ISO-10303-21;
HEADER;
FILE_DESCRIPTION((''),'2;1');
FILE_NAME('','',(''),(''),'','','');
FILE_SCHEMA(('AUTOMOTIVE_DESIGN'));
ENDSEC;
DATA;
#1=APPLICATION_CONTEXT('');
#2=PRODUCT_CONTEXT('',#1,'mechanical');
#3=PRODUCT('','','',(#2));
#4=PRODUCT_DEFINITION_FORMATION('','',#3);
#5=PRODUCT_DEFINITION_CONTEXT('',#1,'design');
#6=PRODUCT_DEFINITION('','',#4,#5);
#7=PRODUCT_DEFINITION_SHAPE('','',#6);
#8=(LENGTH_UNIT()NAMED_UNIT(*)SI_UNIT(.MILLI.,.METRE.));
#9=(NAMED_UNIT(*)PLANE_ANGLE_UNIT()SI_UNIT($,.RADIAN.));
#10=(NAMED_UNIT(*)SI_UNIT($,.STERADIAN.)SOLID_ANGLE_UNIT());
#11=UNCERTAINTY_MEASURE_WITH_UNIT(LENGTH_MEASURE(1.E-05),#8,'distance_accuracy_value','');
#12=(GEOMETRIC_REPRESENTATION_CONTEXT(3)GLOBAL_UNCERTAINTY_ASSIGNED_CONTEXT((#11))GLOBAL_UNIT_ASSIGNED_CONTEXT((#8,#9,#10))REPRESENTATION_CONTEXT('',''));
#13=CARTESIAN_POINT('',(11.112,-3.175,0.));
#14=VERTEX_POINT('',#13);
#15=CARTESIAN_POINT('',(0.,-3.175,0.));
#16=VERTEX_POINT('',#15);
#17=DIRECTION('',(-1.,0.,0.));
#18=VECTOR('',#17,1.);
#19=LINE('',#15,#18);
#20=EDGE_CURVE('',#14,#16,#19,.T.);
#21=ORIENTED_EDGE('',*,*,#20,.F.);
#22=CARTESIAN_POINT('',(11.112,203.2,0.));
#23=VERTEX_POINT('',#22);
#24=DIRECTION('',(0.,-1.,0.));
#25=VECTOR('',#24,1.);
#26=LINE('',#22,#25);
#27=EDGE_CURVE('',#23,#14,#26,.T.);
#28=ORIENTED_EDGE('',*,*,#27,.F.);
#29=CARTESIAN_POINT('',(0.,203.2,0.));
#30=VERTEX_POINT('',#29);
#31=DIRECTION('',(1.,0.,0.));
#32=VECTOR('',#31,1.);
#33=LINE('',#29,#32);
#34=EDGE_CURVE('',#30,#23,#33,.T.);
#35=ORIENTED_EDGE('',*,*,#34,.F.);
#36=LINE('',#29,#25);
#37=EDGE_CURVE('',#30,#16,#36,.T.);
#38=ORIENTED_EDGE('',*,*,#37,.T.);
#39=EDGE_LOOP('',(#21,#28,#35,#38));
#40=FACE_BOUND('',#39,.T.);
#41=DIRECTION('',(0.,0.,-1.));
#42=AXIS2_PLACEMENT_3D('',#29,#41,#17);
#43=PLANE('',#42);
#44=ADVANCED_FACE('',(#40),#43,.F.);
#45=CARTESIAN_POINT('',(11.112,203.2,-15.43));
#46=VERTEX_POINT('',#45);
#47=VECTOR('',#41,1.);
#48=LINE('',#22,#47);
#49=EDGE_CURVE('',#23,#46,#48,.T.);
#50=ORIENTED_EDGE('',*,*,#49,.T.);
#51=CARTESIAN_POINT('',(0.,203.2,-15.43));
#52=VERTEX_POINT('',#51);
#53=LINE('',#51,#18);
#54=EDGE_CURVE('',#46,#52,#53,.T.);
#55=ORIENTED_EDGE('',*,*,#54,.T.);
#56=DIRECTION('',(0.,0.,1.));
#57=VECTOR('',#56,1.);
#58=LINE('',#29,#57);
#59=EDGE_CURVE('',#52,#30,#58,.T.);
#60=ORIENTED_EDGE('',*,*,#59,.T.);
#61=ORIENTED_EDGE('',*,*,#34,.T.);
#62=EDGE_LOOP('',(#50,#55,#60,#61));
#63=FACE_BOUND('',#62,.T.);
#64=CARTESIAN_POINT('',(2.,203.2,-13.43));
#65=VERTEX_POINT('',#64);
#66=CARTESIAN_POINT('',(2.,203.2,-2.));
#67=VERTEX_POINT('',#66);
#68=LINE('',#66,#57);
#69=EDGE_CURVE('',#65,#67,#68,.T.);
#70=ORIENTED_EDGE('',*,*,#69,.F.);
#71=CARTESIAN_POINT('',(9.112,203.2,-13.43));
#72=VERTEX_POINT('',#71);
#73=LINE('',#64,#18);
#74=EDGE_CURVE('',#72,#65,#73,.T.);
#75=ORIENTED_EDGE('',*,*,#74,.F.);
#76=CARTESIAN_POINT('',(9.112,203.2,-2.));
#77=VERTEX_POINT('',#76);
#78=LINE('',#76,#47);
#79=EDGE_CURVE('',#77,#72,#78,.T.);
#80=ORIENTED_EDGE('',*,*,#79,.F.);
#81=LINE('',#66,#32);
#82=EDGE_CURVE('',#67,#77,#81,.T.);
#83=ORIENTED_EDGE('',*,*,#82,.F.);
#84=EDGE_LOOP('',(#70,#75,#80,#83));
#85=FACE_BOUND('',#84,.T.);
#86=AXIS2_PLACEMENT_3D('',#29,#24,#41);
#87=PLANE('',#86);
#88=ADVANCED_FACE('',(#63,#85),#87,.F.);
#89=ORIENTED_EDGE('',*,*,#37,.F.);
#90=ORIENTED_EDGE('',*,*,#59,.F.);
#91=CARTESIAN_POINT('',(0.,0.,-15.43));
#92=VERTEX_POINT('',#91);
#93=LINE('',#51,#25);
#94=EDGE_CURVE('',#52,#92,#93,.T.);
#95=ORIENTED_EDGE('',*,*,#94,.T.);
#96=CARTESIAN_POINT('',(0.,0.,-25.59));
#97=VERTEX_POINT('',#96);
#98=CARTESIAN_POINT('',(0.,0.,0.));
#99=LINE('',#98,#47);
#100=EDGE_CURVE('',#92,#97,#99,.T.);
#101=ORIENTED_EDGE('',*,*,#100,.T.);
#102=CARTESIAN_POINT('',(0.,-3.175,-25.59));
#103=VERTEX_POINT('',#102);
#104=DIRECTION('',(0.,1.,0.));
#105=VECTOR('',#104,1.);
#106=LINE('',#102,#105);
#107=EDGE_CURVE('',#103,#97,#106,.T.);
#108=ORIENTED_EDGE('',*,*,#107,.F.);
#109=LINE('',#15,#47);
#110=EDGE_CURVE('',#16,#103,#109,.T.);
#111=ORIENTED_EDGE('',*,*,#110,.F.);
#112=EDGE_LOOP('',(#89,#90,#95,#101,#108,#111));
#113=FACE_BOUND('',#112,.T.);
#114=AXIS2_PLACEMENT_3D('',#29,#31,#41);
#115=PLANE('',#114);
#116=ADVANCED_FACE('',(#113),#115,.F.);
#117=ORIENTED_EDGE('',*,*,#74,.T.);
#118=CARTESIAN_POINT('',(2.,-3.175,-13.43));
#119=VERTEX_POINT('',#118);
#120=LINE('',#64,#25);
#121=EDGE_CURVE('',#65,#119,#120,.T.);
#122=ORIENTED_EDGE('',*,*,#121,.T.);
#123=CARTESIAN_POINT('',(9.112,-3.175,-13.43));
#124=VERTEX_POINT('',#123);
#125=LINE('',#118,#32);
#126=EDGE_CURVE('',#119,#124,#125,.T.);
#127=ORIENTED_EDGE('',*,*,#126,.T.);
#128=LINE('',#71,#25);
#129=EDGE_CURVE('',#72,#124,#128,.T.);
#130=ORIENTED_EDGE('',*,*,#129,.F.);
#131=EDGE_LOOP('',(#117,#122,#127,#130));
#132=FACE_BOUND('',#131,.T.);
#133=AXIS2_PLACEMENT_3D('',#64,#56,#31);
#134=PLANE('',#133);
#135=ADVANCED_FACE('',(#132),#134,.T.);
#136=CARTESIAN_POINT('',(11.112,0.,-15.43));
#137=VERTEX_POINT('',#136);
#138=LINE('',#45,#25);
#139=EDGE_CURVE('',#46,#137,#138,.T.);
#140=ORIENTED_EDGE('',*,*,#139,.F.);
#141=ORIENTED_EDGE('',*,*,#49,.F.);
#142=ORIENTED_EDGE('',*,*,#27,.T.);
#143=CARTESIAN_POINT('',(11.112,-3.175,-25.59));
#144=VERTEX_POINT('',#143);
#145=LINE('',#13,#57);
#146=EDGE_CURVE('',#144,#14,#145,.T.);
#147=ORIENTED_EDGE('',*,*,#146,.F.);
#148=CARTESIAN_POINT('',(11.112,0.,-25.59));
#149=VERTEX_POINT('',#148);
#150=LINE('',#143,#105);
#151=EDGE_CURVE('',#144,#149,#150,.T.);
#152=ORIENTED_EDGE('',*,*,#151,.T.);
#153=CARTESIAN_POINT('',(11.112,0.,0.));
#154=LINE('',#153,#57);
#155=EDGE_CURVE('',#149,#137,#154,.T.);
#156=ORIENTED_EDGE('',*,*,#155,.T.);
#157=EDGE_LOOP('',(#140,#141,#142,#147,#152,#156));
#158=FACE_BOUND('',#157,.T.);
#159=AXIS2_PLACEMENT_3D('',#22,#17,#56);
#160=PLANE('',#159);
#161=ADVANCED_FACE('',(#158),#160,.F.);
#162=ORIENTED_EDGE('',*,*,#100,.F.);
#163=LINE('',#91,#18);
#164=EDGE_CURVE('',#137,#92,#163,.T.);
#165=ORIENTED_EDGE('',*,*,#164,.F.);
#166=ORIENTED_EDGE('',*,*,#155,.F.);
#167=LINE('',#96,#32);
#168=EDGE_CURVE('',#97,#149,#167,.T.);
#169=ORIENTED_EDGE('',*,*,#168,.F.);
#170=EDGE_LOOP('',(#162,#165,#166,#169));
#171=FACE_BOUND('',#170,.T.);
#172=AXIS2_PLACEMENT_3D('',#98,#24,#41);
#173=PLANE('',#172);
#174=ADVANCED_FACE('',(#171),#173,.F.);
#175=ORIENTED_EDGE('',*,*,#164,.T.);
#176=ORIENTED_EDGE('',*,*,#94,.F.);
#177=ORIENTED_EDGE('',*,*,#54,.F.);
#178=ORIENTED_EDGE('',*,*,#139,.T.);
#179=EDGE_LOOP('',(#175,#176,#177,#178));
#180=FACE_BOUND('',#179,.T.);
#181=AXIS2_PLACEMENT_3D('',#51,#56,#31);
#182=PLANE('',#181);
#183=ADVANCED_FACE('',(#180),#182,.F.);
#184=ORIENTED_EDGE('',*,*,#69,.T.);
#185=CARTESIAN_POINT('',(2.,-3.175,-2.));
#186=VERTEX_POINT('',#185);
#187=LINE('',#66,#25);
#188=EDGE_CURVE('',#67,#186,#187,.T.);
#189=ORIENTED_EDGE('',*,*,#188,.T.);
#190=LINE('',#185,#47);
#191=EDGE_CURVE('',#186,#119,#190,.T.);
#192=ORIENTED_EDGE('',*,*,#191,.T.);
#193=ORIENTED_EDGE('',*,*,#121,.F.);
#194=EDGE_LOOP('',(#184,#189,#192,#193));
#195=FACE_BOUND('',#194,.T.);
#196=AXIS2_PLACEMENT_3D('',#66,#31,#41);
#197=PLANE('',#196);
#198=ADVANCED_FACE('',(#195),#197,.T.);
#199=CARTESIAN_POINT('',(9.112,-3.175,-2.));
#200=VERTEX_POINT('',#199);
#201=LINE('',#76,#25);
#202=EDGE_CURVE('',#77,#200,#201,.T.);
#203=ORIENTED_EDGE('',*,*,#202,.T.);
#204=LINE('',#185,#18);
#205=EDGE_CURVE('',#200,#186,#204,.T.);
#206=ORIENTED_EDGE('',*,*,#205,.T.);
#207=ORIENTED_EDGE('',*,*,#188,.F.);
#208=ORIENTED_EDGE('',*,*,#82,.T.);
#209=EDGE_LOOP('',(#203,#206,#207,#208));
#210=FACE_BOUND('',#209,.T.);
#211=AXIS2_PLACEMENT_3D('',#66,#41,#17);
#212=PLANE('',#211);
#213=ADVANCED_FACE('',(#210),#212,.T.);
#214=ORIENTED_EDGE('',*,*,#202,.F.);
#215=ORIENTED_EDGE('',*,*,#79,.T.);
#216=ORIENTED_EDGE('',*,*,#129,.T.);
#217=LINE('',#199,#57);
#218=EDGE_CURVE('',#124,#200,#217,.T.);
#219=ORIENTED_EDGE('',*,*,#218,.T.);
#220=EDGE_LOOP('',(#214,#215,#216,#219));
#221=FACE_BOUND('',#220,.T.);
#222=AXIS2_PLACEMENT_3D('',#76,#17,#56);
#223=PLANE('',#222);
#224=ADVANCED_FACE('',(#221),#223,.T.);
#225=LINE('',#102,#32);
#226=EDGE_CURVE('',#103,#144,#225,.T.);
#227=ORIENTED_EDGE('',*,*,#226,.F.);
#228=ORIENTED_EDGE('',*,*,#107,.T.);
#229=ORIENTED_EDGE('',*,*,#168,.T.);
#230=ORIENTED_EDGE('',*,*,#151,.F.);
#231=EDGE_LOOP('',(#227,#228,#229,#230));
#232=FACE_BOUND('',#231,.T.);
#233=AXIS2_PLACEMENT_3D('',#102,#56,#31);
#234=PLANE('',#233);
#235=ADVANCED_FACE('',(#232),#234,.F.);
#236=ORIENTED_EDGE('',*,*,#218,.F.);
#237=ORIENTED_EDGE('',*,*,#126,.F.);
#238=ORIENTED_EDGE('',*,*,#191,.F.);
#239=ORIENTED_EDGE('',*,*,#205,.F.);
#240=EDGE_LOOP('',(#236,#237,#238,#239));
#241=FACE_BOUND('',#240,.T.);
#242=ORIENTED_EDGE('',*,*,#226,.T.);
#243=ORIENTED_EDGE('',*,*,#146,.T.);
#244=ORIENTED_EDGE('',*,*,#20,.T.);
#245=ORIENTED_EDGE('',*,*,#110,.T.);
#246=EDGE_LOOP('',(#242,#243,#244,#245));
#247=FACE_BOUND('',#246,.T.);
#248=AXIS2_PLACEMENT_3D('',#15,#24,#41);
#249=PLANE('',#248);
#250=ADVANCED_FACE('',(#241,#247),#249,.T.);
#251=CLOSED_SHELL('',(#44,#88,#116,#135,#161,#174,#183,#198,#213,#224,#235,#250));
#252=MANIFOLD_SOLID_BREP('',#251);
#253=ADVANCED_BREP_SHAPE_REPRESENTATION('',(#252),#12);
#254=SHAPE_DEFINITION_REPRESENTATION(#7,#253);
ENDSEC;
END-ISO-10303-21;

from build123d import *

# Parameters (mm, degrees)
SKETCH1_W           = 11.112
SKETCH1_H           = 15.43
SKETCH1_W_2         = 7.112
SKETCH1_H_2         = 11.43
BOSS_EXTRUDE1_DEPTH = 203.2
SKETCH2_W           = 11.112
SKETCH2_H           = 25.59
SKETCH2_W_2         = 7.112
SKETCH2_H_2         = 11.43
BOSS_EXTRUDE2_DEPTH = 3.175


with BuildPart() as part:
    # Sketch1 → Boss-Extrude1 (new body)
    with BuildSketch(Plane(origin=(0, 0, 0), x_dir=(1, 0, 0), z_dir=(0, 1, 0))):
        with Locations((5.556, 7.715)):
            Rectangle(SKETCH1_W, SKETCH1_H)
        with Locations((5.556, 7.715)):
            Rectangle(SKETCH1_W_2, SKETCH1_H_2, mode=Mode.SUBTRACT)
    extrude(amount=BOSS_EXTRUDE1_DEPTH)

    # Sketch2 → Boss-Extrude2 (add)
    with BuildSketch(Plane.XZ):
        with Locations((5.556, -12.795)):
            Rectangle(SKETCH2_W, SKETCH2_H)
        with Locations((5.556, -7.715)):
            Rectangle(SKETCH2_W_2, SKETCH2_H_2, mode=Mode.SUBTRACT)
    extrude(amount=BOSS_EXTRUDE2_DEPTH)


solid = part.part
